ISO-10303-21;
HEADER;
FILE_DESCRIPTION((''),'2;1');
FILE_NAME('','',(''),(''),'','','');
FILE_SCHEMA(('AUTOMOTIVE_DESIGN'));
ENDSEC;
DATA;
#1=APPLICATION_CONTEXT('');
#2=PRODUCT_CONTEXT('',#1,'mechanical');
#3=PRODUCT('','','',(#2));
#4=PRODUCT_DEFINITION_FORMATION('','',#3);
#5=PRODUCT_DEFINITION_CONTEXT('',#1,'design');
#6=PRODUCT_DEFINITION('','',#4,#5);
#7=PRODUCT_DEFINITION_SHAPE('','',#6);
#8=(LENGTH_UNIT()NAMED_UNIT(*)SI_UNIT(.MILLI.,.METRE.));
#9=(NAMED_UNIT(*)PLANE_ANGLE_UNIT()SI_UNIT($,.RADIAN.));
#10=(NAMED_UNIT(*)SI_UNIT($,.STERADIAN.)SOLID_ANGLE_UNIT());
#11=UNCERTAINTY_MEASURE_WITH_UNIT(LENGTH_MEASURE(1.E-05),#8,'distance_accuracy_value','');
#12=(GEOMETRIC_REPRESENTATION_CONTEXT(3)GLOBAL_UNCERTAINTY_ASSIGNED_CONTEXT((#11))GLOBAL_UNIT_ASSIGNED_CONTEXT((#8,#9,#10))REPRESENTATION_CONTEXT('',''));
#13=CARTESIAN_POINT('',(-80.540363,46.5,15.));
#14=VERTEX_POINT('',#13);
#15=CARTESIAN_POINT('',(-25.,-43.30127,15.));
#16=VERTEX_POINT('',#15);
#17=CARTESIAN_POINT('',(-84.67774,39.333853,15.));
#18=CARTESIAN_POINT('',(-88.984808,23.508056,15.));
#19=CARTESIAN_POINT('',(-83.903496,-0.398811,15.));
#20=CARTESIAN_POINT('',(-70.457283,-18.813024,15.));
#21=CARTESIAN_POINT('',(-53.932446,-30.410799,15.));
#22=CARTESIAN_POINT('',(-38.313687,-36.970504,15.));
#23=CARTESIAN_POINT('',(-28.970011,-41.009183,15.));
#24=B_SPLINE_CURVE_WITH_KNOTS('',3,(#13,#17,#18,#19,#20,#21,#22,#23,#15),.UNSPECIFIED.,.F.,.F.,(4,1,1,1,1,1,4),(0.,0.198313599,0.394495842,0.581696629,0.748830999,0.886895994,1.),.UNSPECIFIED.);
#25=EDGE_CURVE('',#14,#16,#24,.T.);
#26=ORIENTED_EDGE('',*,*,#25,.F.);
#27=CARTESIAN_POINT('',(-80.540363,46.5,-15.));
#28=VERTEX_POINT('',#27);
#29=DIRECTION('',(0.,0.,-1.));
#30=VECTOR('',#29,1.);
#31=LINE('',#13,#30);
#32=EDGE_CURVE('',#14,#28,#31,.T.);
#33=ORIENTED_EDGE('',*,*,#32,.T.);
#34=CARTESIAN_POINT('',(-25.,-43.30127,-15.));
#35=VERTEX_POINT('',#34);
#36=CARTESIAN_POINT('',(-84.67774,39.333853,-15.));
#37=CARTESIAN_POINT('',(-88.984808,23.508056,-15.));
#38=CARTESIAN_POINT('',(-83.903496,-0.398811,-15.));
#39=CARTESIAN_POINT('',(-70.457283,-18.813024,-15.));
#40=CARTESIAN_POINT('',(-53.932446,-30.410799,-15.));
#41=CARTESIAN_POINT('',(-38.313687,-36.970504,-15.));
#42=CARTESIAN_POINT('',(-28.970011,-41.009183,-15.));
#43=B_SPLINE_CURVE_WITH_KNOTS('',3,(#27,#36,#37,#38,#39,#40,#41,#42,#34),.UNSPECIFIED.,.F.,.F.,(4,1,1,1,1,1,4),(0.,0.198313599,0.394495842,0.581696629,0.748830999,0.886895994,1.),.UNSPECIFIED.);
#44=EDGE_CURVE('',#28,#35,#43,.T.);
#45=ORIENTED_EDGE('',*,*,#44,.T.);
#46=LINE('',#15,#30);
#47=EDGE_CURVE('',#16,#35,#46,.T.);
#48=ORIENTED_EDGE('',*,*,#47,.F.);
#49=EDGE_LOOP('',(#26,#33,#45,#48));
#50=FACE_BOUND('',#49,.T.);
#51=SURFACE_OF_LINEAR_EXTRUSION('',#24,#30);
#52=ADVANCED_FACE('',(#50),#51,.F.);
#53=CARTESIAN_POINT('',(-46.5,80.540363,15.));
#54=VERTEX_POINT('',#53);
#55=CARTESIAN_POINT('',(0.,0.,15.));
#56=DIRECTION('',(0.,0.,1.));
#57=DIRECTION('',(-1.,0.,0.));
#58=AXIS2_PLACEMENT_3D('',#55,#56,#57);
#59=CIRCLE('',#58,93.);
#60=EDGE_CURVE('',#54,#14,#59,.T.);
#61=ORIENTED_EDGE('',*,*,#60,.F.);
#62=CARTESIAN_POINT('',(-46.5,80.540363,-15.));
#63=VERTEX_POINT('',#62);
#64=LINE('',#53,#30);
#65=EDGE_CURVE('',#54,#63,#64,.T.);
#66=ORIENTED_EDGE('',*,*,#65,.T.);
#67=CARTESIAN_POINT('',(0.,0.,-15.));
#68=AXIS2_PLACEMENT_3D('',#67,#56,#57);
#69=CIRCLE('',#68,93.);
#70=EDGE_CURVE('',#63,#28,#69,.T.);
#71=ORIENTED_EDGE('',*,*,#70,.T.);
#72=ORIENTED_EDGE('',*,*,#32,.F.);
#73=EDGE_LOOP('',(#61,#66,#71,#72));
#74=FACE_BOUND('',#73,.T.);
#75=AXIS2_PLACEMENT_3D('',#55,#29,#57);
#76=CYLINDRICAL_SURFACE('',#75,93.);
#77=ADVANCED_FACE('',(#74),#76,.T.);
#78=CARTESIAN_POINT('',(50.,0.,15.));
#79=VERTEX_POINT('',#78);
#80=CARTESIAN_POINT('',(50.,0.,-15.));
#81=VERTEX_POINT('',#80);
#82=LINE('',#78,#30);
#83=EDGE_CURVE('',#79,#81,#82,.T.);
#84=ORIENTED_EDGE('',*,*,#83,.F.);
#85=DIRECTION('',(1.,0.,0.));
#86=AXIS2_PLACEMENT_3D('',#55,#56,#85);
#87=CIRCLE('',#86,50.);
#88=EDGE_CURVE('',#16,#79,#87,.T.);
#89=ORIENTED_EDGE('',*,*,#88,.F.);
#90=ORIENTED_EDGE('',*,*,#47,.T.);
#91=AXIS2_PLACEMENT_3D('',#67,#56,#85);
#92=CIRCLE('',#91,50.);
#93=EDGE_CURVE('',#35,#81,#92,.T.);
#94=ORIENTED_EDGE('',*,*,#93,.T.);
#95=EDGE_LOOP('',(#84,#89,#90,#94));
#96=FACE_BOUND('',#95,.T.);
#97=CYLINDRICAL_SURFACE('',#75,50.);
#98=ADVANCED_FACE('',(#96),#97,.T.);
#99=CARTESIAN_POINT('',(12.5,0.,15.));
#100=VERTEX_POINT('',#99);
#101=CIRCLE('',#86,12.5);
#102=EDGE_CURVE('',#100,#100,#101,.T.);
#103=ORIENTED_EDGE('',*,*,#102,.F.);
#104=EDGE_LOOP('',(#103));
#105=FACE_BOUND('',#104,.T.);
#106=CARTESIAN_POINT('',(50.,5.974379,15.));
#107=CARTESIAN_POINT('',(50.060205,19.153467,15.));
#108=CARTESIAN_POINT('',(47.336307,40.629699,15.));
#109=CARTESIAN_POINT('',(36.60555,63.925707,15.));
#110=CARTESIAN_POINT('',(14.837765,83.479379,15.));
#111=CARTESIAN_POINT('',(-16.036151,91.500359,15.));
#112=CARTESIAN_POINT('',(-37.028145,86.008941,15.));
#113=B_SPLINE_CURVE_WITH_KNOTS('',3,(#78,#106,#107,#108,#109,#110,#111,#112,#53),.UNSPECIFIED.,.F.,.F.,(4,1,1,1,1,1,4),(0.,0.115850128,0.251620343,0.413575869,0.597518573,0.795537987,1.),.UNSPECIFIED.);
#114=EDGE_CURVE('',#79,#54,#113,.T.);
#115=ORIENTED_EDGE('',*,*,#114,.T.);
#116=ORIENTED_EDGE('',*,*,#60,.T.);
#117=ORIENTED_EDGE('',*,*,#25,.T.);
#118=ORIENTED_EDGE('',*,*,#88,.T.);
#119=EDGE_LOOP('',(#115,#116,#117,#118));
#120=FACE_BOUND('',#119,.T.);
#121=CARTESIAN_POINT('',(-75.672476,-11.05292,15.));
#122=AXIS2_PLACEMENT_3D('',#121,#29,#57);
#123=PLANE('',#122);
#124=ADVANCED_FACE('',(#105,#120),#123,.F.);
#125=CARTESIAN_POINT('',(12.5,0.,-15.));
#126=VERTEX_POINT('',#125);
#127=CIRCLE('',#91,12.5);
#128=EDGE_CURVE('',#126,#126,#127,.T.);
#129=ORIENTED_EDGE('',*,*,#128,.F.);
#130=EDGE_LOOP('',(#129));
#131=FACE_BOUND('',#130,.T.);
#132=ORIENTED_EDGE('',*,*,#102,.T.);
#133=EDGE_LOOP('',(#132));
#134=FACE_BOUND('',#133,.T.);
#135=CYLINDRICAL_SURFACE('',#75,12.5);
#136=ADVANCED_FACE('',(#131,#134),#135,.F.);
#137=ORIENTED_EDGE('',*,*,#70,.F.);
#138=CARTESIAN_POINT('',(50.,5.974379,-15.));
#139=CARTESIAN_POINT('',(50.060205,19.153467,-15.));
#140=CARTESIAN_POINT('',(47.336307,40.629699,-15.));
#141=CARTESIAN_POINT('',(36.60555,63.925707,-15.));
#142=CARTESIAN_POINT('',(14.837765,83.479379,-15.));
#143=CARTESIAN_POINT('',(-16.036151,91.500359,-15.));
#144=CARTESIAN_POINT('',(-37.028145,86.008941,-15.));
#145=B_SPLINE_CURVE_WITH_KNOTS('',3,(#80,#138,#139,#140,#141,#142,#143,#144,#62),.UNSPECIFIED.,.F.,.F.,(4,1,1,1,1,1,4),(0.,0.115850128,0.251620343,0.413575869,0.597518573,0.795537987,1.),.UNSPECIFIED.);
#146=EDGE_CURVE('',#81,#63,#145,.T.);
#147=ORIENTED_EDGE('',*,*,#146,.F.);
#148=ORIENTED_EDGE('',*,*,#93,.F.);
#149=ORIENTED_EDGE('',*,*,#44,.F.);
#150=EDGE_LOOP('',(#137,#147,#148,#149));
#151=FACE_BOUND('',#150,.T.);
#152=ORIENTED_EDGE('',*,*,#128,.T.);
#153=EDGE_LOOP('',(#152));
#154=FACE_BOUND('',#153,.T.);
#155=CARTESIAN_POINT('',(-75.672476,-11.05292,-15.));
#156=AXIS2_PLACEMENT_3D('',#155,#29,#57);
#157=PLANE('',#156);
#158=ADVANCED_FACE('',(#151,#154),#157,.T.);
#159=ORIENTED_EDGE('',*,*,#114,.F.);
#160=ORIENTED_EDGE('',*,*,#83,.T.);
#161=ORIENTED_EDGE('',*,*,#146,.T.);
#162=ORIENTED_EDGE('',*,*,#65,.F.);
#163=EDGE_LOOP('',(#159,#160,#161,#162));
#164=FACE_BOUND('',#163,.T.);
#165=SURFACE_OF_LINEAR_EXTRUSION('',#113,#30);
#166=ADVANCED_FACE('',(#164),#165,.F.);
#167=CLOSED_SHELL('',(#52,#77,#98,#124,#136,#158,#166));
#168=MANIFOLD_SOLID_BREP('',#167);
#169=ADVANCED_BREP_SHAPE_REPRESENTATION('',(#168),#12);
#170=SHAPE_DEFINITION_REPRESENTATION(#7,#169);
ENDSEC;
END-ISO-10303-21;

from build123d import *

# Parameters (mm, degrees)
SKETCH2_R           = 12.5
BOSS_EXTRUDE1_DEPTH = 15


with BuildPart() as part:
    # Sketch2 → Boss-Extrude1 (new, symmetric)
    with BuildSketch(Plane.XY):
        with BuildLine():
            ThreePointArc((-25, -43.301270189), (25, -43.301270189), (50, 0))
            add(Edge.make_bspline(
                [(50, 0), (50, 5.9743789), (50.060204805, 19.153466901), (47.336306516, 40.629698689), (36.605550445, 63.925706776), (14.837765348, 83.47937862), (-16.036151317, 91.500359053), (-37.028144976, 86.0089406), (-46.5, 80.540362552)],
                knots=[0, 0, 0, 0, 0.115850128, 0.251620343, 0.413575869, 0.597518573, 0.795537987, 1, 1, 1, 1], degree=3))
            ThreePointArc((-46.5, 80.540362552), (-65.76093065, 65.76093065), (-80.540362552, 46.5))
            add(Edge.make_bspline(
                [(-80.540362552, 46.5), (-84.677739575, 39.333852786), (-88.984807521, 23.508055578), (-83.903495936, -0.398811065), (-70.457282721, -18.813024137), (-53.932446022, -30.410798629), (-38.313686898, -36.970503945), (-28.970010712, -41.009183436), (-25, -43.301270189)],
                knots=[0, 0, 0, 0, 0.198313599, 0.394495842, 0.581696629, 0.748830999, 0.886895994, 1, 1, 1, 1], degree=3))
        make_face()
        Circle(SKETCH2_R, mode=Mode.SUBTRACT)
    extrude(amount=BOSS_EXTRUDE1_DEPTH, both=True)


solid = part.part
